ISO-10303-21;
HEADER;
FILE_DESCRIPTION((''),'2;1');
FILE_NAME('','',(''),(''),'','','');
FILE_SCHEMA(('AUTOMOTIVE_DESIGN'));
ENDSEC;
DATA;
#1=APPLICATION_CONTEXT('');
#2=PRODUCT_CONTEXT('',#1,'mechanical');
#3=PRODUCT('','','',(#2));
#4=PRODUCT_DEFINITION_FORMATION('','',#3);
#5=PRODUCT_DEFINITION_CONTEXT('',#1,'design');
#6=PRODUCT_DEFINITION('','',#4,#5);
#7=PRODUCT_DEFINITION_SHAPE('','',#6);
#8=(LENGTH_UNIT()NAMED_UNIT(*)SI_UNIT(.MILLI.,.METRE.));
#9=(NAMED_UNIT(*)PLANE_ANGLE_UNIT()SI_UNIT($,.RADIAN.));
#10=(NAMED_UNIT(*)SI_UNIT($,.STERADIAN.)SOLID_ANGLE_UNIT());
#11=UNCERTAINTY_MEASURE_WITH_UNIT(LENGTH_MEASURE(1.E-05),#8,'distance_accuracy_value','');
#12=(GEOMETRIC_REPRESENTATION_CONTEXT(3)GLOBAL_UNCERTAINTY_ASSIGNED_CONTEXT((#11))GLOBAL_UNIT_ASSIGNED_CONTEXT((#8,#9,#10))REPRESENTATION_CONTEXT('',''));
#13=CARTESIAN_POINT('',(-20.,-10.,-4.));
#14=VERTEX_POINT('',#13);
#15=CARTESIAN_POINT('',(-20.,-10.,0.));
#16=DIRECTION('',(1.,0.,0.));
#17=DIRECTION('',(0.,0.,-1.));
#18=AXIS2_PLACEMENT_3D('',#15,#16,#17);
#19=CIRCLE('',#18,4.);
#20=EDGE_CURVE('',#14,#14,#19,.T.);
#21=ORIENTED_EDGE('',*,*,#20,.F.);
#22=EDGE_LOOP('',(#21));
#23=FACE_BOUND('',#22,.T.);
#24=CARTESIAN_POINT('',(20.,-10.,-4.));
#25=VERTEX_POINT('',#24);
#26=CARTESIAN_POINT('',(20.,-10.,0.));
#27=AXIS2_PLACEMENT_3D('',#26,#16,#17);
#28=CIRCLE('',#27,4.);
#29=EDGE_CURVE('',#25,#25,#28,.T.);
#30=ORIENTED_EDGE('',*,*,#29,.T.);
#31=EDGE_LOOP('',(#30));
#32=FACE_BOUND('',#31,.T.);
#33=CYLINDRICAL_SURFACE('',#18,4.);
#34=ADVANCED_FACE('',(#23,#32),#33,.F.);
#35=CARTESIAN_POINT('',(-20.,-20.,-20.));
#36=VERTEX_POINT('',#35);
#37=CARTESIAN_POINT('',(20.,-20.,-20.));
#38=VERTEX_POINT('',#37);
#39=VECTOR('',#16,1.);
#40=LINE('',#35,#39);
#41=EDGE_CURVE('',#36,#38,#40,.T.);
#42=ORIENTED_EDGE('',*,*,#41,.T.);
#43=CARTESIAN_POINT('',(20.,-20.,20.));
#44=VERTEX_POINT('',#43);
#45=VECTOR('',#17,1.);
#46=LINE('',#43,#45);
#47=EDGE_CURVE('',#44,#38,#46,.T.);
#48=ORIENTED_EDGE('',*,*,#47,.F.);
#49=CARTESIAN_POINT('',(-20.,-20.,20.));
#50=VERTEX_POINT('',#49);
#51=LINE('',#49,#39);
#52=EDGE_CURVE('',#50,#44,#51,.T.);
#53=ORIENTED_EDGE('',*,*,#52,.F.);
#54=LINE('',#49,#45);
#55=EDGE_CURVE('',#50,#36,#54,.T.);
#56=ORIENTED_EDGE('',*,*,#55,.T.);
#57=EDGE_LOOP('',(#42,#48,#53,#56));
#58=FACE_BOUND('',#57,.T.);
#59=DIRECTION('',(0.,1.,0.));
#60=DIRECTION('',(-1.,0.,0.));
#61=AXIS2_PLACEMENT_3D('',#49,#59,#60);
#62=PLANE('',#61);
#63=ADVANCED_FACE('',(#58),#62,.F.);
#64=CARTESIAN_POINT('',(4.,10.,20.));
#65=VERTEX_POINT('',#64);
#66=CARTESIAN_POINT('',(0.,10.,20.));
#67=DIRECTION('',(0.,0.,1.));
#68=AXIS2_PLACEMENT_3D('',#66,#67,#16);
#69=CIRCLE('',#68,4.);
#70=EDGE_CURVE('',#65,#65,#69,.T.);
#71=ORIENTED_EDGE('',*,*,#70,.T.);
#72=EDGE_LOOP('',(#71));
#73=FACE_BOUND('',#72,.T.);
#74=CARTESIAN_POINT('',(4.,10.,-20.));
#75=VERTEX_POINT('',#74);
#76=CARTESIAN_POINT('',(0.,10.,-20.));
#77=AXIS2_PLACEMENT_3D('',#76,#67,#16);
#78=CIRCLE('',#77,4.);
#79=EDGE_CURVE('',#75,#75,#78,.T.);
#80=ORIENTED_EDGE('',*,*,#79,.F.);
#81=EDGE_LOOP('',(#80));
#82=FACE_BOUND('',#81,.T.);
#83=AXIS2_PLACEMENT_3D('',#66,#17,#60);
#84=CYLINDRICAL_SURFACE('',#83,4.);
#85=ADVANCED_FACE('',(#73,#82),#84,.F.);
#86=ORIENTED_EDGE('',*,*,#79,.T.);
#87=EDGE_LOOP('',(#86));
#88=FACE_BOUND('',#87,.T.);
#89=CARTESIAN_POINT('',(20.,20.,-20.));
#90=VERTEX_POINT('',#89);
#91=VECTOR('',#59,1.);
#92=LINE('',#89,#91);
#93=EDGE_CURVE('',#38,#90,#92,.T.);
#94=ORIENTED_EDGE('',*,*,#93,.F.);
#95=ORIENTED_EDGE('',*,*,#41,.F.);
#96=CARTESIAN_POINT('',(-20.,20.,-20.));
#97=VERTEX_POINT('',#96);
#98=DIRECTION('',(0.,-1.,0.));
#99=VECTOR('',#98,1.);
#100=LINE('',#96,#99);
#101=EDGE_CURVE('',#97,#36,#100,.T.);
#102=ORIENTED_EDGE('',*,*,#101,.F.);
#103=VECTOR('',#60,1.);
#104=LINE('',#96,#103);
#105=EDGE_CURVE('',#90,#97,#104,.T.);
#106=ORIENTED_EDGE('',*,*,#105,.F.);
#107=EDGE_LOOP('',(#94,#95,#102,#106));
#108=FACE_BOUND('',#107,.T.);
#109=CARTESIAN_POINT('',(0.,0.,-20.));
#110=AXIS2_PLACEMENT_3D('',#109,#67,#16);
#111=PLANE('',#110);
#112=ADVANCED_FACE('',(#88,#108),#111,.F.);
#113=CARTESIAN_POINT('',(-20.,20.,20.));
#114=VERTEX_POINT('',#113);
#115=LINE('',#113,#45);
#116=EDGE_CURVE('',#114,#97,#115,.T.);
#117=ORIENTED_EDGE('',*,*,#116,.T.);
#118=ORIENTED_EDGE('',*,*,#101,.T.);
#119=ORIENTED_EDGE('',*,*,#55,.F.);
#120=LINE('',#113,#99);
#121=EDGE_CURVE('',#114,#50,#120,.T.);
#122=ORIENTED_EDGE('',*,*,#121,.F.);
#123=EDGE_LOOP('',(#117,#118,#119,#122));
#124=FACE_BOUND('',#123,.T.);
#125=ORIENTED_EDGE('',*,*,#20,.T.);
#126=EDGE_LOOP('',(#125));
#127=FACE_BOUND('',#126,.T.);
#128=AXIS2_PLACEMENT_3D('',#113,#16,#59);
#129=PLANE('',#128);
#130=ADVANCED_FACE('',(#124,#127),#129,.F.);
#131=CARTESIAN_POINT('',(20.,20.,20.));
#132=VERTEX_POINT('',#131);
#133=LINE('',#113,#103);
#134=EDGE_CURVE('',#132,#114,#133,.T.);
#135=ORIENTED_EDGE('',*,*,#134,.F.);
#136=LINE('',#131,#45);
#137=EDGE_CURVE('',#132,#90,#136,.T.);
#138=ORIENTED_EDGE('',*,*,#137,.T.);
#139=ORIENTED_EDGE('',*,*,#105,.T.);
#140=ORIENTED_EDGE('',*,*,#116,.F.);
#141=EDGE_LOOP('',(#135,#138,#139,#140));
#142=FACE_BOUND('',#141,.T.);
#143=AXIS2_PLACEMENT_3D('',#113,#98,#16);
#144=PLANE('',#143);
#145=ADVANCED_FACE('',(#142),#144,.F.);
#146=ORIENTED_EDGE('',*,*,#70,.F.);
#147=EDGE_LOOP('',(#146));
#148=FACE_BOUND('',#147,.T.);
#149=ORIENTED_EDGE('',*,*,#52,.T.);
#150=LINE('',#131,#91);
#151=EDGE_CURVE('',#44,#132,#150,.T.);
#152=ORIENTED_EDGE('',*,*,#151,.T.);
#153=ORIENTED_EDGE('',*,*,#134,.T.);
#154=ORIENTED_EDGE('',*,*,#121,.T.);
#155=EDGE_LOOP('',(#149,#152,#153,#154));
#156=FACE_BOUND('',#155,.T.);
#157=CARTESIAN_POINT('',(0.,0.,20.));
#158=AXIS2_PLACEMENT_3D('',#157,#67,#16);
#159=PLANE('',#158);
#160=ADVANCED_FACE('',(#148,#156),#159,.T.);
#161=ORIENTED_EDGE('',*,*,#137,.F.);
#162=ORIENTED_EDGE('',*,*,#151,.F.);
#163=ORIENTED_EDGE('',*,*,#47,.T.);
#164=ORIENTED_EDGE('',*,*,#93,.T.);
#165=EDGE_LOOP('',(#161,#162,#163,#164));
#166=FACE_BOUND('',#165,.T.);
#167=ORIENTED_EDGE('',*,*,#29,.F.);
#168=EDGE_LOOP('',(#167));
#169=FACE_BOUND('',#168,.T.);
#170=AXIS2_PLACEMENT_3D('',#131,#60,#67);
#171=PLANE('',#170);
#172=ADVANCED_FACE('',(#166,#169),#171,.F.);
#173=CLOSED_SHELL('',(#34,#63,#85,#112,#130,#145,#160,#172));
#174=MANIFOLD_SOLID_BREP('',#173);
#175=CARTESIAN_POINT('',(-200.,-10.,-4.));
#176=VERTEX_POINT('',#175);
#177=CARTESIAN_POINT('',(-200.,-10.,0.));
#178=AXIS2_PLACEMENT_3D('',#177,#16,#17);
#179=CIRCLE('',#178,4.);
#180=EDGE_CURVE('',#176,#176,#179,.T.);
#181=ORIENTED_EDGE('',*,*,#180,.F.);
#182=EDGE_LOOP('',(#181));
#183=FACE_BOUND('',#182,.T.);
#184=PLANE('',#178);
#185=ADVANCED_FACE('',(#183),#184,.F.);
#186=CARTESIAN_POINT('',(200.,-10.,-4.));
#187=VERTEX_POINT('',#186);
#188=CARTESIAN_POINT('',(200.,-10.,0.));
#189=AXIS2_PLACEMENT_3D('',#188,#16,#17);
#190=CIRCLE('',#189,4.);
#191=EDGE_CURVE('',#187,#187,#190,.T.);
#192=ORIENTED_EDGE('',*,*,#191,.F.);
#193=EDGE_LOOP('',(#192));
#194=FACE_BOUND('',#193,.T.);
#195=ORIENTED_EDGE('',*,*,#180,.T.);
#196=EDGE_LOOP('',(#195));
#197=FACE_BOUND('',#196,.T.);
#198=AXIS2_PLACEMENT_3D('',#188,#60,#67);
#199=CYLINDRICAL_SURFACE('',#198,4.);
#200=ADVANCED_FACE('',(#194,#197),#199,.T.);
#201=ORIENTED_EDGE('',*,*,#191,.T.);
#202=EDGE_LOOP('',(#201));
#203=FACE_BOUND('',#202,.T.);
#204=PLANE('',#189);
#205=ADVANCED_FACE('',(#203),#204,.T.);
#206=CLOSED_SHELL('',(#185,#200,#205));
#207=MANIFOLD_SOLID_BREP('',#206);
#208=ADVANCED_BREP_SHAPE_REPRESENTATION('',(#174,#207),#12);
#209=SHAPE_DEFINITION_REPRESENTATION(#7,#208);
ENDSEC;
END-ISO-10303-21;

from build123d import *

# Parameters (mm, degrees)
ESQUISSE1_W             = 40
ESQUISSE1_H             = 40
ESQUISSE1_R             = 4
BOSS_EXTRU_1_DEPTH      = 20
ESQUISSE2_R             = 4
ENL_V_MAT_EXTRU_1_DEPTH = 49.989794856
ESQUISSE3_R             = 4
BOSS_EXTRU_2_DEPTH      = 200


with BuildPart() as part:
    # Esquisse1 → Boss.-Extru.1 (new, symmetric)
    with BuildSketch(Plane.XY):
        Rectangle(ESQUISSE1_W, ESQUISSE1_H)
        with Locations((0, 10)):
            Circle(ESQUISSE1_R, mode=Mode.SUBTRACT)
    extrude(amount=BOSS_EXTRU_1_DEPTH, both=True)

    # Esquisse2 → Enlèv. mat.-Extru.1 (cut, through all)
    with BuildSketch(Plane(origin=(20, 0, 0), x_dir=(0, 0, -1), z_dir=(1, 0, 0))):
        with Locations((0, -10)):
            Circle(ESQUISSE2_R)
    extrude(amount=-ENL_V_MAT_EXTRU_1_DEPTH, mode=Mode.SUBTRACT)


with BuildPart() as body_2:
    # Esquisse3 → Boss.-Extru.2 (new, symmetric)
    with BuildSketch(Plane(origin=(0, 0, 0), x_dir=(0, 0, -1), z_dir=(1, 0, 0))):
        with Locations((0, -10)):
            Circle(ESQUISSE3_R)
    extrude(amount=BOSS_EXTRU_2_DEPTH, both=True)


solid = Compound([part.part, body_2.part])
